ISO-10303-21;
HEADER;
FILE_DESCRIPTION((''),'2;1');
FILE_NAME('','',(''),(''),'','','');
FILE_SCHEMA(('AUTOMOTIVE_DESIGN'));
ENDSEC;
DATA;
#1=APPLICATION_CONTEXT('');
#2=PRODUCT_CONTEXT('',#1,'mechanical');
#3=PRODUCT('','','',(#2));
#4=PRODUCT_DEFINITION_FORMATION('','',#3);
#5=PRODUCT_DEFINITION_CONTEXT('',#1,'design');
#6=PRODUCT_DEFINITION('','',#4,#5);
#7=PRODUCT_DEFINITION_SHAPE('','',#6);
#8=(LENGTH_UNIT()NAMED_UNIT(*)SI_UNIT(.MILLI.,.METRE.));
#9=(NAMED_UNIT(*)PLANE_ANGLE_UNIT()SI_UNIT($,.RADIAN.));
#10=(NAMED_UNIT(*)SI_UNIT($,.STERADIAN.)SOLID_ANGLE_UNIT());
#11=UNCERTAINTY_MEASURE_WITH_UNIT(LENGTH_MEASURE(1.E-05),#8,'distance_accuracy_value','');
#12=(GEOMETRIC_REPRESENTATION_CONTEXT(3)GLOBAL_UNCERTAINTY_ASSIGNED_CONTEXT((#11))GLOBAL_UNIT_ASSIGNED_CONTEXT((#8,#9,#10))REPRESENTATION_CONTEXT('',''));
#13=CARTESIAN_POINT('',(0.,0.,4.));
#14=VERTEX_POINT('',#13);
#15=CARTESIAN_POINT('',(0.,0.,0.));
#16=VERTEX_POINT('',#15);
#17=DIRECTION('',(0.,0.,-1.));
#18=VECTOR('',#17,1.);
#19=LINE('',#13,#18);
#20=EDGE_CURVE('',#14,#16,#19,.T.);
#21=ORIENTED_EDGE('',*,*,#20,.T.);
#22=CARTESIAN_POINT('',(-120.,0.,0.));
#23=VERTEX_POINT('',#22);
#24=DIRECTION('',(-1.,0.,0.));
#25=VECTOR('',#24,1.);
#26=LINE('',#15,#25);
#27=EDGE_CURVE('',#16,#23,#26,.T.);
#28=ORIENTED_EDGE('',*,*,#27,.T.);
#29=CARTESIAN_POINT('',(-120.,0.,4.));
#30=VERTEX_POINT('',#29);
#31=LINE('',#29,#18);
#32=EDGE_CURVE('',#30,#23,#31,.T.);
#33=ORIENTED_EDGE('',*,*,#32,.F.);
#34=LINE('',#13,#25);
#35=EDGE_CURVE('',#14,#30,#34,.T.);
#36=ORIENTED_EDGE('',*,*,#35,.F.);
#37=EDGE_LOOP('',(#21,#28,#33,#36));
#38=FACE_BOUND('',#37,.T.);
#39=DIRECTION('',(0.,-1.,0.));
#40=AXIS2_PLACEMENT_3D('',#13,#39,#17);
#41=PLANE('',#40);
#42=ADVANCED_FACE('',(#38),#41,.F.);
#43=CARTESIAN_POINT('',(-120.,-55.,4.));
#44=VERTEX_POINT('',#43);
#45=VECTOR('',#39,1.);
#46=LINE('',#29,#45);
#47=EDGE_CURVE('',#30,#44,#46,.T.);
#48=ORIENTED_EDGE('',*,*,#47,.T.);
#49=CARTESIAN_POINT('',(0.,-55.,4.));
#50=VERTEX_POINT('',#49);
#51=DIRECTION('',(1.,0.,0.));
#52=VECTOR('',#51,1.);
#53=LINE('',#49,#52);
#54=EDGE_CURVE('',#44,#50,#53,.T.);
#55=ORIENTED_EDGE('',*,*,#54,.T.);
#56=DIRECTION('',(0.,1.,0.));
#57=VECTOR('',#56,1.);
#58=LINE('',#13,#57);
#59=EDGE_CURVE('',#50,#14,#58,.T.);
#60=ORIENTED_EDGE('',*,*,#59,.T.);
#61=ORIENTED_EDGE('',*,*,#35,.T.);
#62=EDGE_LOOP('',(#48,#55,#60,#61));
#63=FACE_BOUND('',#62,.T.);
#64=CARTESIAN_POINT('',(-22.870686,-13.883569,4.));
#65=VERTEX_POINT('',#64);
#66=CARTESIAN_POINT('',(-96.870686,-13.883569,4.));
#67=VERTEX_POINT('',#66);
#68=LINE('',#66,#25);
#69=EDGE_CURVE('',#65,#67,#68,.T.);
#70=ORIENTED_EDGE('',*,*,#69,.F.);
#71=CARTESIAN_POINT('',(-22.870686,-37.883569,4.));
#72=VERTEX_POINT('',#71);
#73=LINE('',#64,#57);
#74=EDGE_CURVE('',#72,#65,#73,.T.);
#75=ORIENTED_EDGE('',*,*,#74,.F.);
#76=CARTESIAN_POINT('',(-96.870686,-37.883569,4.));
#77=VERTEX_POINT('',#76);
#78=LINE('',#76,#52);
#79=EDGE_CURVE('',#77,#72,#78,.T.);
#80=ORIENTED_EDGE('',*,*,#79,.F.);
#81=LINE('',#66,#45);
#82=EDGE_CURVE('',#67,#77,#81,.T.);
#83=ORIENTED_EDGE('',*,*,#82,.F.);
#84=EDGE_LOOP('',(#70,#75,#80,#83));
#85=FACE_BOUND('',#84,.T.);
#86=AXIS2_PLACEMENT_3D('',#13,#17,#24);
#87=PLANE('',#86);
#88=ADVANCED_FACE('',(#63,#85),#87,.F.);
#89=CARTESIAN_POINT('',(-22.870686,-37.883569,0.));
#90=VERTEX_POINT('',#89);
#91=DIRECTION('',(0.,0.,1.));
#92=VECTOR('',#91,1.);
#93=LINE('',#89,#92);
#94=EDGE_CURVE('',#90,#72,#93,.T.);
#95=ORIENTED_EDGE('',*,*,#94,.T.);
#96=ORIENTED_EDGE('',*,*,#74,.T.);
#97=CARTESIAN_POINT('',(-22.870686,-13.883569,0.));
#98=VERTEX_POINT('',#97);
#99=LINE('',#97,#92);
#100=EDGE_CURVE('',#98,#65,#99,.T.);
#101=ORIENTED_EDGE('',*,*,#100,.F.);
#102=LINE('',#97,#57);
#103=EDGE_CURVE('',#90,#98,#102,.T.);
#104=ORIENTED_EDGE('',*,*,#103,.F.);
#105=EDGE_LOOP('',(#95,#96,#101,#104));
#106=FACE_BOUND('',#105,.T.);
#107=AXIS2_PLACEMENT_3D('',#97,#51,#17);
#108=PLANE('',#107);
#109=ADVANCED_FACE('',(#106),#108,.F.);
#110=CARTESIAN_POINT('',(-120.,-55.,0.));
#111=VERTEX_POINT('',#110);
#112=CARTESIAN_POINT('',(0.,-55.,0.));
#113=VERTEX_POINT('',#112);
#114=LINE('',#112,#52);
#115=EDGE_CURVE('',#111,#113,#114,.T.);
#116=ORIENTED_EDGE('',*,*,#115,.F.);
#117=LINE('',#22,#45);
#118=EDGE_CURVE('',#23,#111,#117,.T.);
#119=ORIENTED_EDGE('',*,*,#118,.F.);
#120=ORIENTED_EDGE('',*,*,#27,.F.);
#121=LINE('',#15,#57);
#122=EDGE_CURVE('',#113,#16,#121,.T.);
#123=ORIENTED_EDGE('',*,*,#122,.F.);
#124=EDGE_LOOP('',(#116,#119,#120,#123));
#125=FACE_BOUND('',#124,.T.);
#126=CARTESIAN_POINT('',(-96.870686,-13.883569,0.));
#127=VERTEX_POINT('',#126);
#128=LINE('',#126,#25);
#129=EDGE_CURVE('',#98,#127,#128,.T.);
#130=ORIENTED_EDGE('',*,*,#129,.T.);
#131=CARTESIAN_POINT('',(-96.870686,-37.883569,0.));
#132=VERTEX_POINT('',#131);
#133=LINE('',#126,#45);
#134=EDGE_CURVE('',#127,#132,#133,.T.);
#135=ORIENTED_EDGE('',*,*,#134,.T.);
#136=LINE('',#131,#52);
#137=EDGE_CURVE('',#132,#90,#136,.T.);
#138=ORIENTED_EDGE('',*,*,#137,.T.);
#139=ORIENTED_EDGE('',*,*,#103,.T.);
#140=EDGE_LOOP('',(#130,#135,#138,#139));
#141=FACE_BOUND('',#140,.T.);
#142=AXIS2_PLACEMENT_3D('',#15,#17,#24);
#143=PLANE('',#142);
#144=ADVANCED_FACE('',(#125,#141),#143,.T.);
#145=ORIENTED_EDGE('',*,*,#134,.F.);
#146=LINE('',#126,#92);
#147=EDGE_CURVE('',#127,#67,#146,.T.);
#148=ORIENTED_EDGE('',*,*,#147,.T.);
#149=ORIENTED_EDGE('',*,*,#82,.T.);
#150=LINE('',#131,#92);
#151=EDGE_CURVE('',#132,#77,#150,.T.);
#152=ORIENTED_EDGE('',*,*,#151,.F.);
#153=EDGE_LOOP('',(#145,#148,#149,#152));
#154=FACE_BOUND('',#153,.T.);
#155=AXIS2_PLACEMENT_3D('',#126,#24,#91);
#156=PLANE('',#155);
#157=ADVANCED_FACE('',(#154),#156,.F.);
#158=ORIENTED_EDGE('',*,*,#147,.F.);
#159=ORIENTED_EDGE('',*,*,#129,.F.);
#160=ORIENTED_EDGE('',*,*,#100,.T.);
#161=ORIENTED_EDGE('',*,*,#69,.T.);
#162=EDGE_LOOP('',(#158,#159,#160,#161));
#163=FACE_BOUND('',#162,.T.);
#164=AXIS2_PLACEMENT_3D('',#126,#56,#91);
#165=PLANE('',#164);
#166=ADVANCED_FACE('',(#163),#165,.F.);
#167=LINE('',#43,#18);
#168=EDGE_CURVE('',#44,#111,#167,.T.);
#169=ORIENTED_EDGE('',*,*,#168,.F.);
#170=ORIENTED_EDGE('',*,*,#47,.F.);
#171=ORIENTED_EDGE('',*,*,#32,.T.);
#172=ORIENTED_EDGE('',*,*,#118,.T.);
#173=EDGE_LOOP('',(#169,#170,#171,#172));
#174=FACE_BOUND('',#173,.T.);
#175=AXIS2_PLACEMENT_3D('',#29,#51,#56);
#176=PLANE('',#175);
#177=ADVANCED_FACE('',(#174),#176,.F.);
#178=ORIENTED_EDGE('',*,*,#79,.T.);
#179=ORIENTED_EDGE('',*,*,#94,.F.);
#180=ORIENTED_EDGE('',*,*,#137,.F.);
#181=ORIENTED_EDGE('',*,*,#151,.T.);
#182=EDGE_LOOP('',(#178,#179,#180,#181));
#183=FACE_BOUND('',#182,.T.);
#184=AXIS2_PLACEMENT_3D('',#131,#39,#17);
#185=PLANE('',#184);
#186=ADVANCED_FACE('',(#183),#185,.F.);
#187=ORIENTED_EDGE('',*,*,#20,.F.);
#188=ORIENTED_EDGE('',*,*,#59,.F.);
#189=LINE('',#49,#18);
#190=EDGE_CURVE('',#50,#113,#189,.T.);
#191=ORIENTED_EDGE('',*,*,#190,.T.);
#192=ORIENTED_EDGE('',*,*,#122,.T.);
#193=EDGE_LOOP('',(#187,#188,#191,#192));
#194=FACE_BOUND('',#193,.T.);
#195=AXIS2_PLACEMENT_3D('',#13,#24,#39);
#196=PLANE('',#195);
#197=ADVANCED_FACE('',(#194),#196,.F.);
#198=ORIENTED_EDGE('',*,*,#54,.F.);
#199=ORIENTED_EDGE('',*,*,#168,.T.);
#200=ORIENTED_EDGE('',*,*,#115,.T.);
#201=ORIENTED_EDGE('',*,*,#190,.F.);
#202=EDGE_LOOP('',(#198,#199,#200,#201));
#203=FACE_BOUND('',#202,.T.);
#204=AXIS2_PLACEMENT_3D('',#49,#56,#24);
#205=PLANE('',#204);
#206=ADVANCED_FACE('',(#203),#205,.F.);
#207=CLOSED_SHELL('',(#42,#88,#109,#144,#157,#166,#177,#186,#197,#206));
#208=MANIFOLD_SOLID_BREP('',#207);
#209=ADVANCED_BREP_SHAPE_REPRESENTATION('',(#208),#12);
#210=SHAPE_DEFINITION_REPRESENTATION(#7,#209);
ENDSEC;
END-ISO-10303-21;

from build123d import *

# Parameters (mm, degrees)
ESQUISSE1_W             = 120
ESQUISSE1_H             = 55
BOSS_EXTRU_1_DEPTH      = 4
ESQUISSE3_W             = 74
ESQUISSE3_H             = 24
ENL_V_MAT_EXTRU_1_DEPTH = 4


with BuildPart() as part:
    # Esquisse1 → Boss.-Extru.1 (new body)
    with BuildSketch(Plane.XY):
        with Locations((-60, -27.5)):
            Rectangle(ESQUISSE1_W, ESQUISSE1_H)
    extrude(amount=BOSS_EXTRU_1_DEPTH)

    # Esquisse3 → Enlèv. mat.-Extru.1 (cut)
    with BuildSketch(Plane.XY.offset(4)):
        with Locations((-59.870685518, -25.883568979)):
            Rectangle(ESQUISSE3_W, ESQUISSE3_H)
    extrude(amount=-ENL_V_MAT_EXTRU_1_DEPTH, mode=Mode.SUBTRACT)


solid = part.part
